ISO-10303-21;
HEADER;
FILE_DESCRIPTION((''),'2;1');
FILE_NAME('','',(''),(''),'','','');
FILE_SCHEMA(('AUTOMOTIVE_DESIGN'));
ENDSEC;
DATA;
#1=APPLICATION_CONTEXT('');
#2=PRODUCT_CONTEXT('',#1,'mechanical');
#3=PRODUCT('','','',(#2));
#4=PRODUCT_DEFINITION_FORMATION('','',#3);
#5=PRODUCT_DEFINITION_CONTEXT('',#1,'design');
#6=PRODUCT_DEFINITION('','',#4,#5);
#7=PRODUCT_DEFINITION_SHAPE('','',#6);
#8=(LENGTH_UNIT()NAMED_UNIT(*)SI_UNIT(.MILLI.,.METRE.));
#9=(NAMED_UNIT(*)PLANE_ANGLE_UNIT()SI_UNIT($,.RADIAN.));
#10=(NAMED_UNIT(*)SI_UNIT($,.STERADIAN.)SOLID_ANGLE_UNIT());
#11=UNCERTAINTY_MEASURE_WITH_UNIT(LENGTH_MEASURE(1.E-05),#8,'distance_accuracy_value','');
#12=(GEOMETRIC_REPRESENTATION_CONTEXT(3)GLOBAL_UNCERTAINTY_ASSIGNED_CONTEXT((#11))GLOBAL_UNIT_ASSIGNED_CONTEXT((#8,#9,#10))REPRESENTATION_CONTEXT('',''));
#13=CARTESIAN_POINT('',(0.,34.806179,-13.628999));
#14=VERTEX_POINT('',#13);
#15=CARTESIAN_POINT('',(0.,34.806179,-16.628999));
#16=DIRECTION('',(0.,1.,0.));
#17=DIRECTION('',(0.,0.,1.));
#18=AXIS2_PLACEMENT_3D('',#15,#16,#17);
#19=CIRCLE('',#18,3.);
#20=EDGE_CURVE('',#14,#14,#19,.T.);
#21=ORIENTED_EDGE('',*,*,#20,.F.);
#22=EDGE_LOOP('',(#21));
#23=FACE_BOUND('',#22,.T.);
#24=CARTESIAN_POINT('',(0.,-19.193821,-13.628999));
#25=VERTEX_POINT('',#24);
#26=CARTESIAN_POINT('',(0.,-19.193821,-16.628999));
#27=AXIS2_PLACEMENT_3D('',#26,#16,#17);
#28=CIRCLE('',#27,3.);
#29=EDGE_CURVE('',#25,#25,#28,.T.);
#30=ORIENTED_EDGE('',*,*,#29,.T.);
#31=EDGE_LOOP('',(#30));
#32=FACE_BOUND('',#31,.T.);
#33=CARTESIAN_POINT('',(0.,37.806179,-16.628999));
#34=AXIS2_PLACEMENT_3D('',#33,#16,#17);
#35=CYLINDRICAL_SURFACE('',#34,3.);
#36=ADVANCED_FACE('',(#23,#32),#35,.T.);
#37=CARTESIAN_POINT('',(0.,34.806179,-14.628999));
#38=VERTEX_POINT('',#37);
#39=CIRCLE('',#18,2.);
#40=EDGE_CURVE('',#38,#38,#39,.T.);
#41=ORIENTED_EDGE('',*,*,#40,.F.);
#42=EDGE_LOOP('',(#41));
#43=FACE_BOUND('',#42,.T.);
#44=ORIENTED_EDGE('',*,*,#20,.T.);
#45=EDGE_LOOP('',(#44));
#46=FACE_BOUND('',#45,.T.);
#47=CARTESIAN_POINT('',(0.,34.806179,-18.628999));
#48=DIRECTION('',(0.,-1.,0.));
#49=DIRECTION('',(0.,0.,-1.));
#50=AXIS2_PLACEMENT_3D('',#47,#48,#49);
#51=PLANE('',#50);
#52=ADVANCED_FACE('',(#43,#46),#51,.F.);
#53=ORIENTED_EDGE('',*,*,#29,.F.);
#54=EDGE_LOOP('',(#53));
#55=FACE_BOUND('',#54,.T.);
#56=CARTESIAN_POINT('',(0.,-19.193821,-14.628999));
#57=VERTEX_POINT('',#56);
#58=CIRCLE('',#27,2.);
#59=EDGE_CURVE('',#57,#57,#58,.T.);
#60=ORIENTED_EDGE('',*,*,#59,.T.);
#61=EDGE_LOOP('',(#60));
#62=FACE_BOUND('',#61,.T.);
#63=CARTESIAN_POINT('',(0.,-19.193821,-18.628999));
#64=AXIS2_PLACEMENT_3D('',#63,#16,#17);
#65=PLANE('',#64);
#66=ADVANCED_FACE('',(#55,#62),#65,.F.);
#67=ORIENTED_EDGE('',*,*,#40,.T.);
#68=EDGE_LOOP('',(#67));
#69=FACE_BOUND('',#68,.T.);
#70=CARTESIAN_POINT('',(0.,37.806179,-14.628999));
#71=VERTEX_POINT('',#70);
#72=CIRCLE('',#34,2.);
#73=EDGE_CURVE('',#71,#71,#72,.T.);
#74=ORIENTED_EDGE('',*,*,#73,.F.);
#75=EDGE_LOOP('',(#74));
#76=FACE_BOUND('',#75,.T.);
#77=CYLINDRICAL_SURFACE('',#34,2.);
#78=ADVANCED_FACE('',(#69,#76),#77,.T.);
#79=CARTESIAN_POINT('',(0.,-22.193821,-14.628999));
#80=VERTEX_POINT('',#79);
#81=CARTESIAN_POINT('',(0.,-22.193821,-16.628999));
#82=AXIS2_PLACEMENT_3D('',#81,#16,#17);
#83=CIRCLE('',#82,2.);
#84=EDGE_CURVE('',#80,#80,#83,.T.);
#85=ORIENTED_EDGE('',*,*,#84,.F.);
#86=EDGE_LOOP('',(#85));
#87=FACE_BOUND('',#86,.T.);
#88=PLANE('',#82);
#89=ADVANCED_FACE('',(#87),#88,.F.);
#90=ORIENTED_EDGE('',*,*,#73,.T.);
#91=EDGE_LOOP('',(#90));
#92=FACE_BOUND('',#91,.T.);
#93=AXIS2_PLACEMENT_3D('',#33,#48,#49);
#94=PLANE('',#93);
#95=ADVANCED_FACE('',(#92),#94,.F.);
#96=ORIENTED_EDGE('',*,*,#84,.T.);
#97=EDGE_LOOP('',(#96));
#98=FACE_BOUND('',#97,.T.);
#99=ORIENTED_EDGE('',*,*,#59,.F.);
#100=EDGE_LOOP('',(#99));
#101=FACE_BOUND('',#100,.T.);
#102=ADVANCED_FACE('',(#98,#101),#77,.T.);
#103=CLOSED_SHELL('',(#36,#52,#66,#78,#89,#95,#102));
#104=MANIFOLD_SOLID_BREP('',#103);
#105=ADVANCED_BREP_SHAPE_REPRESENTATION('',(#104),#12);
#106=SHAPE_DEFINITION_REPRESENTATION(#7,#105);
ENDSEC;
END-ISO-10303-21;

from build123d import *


with BuildPart() as part:
    # ｽｹｯﾁ1 → 回転1 (revolve)
    with BuildSketch(Plane(origin=(0, 0, 0), x_dir=(0, 0, -1), z_dir=(1, 0, 0)), mode=Mode.PRIVATE) as revolve_1_sk:
        Polygon((16.62899878, 37.806178794), (16.62899878, -22.193821206), (18.62899878, -22.193821206), (18.62899878, -19.193821206), (19.62899878, -19.193821206), (19.62899878, 34.806178794), (18.62899878, 34.806178794), (18.62899878, 37.806178794), align=None)
    revolve(revolve_1_sk.sketch.rotate(Axis((0, 37.806178794, -16.62899878), (0, -1, 0)), 180), axis=Axis((0, 37.806178794, -16.62899878), (0, -1, 0)))


solid = part.part
